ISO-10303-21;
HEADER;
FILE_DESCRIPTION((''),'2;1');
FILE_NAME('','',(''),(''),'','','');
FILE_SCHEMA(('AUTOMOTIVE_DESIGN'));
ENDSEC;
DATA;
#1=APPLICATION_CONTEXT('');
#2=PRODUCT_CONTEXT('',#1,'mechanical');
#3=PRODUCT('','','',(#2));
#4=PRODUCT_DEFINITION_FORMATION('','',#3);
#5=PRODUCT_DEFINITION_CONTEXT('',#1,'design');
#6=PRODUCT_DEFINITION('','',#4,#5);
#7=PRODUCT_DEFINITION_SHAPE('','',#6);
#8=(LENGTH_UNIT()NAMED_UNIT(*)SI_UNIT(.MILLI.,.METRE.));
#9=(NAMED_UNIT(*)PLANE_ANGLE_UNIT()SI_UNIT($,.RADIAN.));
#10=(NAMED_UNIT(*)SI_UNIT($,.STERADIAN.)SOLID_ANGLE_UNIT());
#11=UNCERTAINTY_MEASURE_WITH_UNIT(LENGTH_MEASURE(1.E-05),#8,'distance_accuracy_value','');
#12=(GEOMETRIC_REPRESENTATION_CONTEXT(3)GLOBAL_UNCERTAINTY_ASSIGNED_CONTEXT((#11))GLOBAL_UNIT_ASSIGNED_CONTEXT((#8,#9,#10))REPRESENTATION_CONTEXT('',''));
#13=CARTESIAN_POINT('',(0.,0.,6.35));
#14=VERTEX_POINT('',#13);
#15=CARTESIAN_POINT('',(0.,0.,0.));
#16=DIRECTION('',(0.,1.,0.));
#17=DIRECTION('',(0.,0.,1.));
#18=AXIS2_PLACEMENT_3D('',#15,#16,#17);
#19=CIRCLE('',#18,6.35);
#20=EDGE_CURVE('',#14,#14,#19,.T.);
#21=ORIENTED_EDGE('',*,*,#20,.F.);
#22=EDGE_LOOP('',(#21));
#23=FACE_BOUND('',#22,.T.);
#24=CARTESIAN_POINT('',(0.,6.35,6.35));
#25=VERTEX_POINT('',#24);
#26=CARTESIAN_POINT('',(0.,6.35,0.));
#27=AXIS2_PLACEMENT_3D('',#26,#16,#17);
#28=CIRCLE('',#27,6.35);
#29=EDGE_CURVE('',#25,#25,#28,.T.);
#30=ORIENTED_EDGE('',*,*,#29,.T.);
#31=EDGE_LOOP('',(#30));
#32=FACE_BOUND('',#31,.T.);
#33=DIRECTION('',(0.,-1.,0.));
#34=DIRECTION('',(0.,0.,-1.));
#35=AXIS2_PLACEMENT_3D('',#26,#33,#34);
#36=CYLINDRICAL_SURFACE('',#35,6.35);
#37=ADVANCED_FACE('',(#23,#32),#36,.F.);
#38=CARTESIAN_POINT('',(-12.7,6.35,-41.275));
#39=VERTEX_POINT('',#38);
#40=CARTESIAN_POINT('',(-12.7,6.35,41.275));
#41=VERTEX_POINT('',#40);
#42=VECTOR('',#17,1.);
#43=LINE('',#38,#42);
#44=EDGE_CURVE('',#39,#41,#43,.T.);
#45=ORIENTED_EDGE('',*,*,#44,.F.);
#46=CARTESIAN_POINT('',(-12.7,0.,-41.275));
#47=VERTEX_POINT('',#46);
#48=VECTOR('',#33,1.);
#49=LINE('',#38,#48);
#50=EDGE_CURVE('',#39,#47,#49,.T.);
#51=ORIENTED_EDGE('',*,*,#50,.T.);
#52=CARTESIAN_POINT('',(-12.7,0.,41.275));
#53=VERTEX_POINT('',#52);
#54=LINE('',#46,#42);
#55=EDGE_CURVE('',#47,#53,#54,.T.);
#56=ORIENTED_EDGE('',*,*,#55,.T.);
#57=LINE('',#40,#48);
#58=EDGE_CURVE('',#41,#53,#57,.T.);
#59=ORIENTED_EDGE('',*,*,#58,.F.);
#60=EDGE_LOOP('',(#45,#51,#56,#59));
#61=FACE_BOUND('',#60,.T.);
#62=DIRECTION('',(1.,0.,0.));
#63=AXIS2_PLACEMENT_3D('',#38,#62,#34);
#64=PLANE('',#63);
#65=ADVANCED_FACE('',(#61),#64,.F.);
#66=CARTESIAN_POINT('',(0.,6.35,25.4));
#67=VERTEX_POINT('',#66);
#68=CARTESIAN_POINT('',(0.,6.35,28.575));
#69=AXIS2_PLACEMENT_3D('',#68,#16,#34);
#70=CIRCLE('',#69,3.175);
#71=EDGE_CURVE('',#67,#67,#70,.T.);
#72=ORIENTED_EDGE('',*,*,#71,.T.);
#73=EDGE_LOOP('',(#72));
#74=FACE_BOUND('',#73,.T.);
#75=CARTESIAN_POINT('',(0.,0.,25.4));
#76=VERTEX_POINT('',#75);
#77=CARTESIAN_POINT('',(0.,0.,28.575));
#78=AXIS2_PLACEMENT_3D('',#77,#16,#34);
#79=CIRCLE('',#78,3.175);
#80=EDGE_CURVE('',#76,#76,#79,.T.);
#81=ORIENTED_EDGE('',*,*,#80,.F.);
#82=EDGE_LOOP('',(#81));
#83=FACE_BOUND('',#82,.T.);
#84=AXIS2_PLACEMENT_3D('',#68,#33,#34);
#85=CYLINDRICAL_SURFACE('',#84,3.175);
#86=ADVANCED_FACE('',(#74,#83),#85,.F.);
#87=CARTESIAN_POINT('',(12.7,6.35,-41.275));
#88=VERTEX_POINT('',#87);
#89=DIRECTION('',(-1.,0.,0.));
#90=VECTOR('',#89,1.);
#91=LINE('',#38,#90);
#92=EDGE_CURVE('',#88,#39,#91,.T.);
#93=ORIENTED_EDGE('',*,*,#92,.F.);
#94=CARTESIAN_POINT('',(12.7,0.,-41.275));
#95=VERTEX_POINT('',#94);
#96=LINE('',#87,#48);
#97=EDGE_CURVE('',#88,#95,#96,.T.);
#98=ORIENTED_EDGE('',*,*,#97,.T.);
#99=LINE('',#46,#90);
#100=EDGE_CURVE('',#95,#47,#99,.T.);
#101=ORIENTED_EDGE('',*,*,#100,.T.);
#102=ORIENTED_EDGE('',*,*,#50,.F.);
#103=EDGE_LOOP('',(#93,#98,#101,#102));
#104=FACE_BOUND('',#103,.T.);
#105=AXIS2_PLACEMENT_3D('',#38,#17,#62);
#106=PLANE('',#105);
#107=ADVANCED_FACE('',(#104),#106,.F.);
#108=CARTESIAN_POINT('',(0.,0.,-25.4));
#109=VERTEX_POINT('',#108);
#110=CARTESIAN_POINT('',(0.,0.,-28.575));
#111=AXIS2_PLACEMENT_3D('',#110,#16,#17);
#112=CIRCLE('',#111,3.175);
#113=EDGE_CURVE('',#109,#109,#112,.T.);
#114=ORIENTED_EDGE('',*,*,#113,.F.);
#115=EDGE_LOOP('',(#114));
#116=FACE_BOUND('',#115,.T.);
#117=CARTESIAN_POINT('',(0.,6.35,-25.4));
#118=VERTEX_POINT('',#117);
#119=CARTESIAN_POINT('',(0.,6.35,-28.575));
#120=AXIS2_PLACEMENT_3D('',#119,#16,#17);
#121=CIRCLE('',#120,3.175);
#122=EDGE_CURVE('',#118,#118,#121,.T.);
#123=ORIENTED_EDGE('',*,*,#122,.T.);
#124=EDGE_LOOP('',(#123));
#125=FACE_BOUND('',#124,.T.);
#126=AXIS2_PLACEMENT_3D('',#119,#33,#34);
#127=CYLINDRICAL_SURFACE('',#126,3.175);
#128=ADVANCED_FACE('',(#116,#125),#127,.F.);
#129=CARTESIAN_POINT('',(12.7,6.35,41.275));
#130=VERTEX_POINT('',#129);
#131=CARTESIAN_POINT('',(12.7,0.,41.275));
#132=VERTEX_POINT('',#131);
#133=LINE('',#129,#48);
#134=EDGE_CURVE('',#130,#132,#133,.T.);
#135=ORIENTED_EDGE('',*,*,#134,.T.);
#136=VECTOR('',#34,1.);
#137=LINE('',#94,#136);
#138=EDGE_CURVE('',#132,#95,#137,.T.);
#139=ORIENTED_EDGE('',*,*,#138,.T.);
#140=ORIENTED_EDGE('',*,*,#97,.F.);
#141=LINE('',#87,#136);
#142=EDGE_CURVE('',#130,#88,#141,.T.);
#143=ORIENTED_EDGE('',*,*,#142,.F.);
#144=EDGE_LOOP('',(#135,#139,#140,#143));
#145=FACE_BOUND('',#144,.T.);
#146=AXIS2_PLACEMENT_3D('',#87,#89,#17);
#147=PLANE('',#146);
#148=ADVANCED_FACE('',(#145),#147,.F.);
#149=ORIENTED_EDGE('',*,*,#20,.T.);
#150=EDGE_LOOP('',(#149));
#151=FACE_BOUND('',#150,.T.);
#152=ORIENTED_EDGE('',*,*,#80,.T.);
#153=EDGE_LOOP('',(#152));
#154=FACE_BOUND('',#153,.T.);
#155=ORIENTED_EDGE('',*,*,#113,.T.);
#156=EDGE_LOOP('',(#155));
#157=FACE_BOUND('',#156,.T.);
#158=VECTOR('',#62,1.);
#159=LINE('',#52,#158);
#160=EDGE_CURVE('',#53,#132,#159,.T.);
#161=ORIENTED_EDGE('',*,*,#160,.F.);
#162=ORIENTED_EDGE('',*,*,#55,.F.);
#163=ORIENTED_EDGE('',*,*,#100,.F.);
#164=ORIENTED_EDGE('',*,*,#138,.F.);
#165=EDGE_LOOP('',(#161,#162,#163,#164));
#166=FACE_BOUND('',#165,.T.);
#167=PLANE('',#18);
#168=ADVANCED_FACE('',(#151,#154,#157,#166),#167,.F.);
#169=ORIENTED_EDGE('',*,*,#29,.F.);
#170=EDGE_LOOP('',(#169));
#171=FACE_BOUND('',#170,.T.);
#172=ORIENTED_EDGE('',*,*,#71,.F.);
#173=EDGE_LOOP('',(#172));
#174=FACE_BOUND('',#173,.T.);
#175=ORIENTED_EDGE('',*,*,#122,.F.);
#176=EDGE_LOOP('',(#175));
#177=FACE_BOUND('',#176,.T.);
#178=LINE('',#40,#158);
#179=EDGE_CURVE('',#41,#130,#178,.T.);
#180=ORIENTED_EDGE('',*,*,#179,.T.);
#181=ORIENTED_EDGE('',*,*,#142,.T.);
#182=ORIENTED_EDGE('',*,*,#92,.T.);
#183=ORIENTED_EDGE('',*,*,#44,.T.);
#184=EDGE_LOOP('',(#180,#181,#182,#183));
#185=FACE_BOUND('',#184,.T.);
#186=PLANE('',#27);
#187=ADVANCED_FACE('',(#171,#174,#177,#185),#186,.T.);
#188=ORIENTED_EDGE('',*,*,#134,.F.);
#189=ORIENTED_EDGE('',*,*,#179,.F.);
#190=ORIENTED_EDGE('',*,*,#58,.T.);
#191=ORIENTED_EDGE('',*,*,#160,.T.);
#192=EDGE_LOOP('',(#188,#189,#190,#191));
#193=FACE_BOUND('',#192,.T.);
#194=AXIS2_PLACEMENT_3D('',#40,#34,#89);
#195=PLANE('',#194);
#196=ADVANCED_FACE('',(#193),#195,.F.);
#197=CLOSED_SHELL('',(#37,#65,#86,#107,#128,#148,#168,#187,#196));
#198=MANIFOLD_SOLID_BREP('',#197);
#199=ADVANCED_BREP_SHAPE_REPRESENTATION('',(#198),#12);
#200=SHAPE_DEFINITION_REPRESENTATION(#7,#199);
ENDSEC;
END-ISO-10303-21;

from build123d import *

# Parameters (mm, degrees)
SKETCH1_W           = 25.4
SKETCH1_H           = 82.55
SKETCH1_R           = 6.35
SKETCH1_R_2         = 3.175
BOSS_EXTRUDE1_DEPTH = 6.35


with BuildPart() as part:
    # Sketch1 → Boss-Extrude1 (new body)
    with BuildSketch(Plane(origin=(0, 0, 0), x_dir=(1, 0, 0), z_dir=(0, 1, 0))):
        Rectangle(SKETCH1_W, SKETCH1_H)
        with Locations(Location((0, 0, 0), (0, 0, 270))):
            Circle(SKETCH1_R, mode=Mode.SUBTRACT)
        with Locations(Location((0, 28.575, 0), (0, 0, 270))):
            Circle(SKETCH1_R_2, mode=Mode.SUBTRACT)
        with Locations(Location((0, -28.575, 0), (0, 0, 90))):
            Circle(SKETCH1_R_2, mode=Mode.SUBTRACT)
    extrude(amount=BOSS_EXTRUDE1_DEPTH)


solid = part.part
